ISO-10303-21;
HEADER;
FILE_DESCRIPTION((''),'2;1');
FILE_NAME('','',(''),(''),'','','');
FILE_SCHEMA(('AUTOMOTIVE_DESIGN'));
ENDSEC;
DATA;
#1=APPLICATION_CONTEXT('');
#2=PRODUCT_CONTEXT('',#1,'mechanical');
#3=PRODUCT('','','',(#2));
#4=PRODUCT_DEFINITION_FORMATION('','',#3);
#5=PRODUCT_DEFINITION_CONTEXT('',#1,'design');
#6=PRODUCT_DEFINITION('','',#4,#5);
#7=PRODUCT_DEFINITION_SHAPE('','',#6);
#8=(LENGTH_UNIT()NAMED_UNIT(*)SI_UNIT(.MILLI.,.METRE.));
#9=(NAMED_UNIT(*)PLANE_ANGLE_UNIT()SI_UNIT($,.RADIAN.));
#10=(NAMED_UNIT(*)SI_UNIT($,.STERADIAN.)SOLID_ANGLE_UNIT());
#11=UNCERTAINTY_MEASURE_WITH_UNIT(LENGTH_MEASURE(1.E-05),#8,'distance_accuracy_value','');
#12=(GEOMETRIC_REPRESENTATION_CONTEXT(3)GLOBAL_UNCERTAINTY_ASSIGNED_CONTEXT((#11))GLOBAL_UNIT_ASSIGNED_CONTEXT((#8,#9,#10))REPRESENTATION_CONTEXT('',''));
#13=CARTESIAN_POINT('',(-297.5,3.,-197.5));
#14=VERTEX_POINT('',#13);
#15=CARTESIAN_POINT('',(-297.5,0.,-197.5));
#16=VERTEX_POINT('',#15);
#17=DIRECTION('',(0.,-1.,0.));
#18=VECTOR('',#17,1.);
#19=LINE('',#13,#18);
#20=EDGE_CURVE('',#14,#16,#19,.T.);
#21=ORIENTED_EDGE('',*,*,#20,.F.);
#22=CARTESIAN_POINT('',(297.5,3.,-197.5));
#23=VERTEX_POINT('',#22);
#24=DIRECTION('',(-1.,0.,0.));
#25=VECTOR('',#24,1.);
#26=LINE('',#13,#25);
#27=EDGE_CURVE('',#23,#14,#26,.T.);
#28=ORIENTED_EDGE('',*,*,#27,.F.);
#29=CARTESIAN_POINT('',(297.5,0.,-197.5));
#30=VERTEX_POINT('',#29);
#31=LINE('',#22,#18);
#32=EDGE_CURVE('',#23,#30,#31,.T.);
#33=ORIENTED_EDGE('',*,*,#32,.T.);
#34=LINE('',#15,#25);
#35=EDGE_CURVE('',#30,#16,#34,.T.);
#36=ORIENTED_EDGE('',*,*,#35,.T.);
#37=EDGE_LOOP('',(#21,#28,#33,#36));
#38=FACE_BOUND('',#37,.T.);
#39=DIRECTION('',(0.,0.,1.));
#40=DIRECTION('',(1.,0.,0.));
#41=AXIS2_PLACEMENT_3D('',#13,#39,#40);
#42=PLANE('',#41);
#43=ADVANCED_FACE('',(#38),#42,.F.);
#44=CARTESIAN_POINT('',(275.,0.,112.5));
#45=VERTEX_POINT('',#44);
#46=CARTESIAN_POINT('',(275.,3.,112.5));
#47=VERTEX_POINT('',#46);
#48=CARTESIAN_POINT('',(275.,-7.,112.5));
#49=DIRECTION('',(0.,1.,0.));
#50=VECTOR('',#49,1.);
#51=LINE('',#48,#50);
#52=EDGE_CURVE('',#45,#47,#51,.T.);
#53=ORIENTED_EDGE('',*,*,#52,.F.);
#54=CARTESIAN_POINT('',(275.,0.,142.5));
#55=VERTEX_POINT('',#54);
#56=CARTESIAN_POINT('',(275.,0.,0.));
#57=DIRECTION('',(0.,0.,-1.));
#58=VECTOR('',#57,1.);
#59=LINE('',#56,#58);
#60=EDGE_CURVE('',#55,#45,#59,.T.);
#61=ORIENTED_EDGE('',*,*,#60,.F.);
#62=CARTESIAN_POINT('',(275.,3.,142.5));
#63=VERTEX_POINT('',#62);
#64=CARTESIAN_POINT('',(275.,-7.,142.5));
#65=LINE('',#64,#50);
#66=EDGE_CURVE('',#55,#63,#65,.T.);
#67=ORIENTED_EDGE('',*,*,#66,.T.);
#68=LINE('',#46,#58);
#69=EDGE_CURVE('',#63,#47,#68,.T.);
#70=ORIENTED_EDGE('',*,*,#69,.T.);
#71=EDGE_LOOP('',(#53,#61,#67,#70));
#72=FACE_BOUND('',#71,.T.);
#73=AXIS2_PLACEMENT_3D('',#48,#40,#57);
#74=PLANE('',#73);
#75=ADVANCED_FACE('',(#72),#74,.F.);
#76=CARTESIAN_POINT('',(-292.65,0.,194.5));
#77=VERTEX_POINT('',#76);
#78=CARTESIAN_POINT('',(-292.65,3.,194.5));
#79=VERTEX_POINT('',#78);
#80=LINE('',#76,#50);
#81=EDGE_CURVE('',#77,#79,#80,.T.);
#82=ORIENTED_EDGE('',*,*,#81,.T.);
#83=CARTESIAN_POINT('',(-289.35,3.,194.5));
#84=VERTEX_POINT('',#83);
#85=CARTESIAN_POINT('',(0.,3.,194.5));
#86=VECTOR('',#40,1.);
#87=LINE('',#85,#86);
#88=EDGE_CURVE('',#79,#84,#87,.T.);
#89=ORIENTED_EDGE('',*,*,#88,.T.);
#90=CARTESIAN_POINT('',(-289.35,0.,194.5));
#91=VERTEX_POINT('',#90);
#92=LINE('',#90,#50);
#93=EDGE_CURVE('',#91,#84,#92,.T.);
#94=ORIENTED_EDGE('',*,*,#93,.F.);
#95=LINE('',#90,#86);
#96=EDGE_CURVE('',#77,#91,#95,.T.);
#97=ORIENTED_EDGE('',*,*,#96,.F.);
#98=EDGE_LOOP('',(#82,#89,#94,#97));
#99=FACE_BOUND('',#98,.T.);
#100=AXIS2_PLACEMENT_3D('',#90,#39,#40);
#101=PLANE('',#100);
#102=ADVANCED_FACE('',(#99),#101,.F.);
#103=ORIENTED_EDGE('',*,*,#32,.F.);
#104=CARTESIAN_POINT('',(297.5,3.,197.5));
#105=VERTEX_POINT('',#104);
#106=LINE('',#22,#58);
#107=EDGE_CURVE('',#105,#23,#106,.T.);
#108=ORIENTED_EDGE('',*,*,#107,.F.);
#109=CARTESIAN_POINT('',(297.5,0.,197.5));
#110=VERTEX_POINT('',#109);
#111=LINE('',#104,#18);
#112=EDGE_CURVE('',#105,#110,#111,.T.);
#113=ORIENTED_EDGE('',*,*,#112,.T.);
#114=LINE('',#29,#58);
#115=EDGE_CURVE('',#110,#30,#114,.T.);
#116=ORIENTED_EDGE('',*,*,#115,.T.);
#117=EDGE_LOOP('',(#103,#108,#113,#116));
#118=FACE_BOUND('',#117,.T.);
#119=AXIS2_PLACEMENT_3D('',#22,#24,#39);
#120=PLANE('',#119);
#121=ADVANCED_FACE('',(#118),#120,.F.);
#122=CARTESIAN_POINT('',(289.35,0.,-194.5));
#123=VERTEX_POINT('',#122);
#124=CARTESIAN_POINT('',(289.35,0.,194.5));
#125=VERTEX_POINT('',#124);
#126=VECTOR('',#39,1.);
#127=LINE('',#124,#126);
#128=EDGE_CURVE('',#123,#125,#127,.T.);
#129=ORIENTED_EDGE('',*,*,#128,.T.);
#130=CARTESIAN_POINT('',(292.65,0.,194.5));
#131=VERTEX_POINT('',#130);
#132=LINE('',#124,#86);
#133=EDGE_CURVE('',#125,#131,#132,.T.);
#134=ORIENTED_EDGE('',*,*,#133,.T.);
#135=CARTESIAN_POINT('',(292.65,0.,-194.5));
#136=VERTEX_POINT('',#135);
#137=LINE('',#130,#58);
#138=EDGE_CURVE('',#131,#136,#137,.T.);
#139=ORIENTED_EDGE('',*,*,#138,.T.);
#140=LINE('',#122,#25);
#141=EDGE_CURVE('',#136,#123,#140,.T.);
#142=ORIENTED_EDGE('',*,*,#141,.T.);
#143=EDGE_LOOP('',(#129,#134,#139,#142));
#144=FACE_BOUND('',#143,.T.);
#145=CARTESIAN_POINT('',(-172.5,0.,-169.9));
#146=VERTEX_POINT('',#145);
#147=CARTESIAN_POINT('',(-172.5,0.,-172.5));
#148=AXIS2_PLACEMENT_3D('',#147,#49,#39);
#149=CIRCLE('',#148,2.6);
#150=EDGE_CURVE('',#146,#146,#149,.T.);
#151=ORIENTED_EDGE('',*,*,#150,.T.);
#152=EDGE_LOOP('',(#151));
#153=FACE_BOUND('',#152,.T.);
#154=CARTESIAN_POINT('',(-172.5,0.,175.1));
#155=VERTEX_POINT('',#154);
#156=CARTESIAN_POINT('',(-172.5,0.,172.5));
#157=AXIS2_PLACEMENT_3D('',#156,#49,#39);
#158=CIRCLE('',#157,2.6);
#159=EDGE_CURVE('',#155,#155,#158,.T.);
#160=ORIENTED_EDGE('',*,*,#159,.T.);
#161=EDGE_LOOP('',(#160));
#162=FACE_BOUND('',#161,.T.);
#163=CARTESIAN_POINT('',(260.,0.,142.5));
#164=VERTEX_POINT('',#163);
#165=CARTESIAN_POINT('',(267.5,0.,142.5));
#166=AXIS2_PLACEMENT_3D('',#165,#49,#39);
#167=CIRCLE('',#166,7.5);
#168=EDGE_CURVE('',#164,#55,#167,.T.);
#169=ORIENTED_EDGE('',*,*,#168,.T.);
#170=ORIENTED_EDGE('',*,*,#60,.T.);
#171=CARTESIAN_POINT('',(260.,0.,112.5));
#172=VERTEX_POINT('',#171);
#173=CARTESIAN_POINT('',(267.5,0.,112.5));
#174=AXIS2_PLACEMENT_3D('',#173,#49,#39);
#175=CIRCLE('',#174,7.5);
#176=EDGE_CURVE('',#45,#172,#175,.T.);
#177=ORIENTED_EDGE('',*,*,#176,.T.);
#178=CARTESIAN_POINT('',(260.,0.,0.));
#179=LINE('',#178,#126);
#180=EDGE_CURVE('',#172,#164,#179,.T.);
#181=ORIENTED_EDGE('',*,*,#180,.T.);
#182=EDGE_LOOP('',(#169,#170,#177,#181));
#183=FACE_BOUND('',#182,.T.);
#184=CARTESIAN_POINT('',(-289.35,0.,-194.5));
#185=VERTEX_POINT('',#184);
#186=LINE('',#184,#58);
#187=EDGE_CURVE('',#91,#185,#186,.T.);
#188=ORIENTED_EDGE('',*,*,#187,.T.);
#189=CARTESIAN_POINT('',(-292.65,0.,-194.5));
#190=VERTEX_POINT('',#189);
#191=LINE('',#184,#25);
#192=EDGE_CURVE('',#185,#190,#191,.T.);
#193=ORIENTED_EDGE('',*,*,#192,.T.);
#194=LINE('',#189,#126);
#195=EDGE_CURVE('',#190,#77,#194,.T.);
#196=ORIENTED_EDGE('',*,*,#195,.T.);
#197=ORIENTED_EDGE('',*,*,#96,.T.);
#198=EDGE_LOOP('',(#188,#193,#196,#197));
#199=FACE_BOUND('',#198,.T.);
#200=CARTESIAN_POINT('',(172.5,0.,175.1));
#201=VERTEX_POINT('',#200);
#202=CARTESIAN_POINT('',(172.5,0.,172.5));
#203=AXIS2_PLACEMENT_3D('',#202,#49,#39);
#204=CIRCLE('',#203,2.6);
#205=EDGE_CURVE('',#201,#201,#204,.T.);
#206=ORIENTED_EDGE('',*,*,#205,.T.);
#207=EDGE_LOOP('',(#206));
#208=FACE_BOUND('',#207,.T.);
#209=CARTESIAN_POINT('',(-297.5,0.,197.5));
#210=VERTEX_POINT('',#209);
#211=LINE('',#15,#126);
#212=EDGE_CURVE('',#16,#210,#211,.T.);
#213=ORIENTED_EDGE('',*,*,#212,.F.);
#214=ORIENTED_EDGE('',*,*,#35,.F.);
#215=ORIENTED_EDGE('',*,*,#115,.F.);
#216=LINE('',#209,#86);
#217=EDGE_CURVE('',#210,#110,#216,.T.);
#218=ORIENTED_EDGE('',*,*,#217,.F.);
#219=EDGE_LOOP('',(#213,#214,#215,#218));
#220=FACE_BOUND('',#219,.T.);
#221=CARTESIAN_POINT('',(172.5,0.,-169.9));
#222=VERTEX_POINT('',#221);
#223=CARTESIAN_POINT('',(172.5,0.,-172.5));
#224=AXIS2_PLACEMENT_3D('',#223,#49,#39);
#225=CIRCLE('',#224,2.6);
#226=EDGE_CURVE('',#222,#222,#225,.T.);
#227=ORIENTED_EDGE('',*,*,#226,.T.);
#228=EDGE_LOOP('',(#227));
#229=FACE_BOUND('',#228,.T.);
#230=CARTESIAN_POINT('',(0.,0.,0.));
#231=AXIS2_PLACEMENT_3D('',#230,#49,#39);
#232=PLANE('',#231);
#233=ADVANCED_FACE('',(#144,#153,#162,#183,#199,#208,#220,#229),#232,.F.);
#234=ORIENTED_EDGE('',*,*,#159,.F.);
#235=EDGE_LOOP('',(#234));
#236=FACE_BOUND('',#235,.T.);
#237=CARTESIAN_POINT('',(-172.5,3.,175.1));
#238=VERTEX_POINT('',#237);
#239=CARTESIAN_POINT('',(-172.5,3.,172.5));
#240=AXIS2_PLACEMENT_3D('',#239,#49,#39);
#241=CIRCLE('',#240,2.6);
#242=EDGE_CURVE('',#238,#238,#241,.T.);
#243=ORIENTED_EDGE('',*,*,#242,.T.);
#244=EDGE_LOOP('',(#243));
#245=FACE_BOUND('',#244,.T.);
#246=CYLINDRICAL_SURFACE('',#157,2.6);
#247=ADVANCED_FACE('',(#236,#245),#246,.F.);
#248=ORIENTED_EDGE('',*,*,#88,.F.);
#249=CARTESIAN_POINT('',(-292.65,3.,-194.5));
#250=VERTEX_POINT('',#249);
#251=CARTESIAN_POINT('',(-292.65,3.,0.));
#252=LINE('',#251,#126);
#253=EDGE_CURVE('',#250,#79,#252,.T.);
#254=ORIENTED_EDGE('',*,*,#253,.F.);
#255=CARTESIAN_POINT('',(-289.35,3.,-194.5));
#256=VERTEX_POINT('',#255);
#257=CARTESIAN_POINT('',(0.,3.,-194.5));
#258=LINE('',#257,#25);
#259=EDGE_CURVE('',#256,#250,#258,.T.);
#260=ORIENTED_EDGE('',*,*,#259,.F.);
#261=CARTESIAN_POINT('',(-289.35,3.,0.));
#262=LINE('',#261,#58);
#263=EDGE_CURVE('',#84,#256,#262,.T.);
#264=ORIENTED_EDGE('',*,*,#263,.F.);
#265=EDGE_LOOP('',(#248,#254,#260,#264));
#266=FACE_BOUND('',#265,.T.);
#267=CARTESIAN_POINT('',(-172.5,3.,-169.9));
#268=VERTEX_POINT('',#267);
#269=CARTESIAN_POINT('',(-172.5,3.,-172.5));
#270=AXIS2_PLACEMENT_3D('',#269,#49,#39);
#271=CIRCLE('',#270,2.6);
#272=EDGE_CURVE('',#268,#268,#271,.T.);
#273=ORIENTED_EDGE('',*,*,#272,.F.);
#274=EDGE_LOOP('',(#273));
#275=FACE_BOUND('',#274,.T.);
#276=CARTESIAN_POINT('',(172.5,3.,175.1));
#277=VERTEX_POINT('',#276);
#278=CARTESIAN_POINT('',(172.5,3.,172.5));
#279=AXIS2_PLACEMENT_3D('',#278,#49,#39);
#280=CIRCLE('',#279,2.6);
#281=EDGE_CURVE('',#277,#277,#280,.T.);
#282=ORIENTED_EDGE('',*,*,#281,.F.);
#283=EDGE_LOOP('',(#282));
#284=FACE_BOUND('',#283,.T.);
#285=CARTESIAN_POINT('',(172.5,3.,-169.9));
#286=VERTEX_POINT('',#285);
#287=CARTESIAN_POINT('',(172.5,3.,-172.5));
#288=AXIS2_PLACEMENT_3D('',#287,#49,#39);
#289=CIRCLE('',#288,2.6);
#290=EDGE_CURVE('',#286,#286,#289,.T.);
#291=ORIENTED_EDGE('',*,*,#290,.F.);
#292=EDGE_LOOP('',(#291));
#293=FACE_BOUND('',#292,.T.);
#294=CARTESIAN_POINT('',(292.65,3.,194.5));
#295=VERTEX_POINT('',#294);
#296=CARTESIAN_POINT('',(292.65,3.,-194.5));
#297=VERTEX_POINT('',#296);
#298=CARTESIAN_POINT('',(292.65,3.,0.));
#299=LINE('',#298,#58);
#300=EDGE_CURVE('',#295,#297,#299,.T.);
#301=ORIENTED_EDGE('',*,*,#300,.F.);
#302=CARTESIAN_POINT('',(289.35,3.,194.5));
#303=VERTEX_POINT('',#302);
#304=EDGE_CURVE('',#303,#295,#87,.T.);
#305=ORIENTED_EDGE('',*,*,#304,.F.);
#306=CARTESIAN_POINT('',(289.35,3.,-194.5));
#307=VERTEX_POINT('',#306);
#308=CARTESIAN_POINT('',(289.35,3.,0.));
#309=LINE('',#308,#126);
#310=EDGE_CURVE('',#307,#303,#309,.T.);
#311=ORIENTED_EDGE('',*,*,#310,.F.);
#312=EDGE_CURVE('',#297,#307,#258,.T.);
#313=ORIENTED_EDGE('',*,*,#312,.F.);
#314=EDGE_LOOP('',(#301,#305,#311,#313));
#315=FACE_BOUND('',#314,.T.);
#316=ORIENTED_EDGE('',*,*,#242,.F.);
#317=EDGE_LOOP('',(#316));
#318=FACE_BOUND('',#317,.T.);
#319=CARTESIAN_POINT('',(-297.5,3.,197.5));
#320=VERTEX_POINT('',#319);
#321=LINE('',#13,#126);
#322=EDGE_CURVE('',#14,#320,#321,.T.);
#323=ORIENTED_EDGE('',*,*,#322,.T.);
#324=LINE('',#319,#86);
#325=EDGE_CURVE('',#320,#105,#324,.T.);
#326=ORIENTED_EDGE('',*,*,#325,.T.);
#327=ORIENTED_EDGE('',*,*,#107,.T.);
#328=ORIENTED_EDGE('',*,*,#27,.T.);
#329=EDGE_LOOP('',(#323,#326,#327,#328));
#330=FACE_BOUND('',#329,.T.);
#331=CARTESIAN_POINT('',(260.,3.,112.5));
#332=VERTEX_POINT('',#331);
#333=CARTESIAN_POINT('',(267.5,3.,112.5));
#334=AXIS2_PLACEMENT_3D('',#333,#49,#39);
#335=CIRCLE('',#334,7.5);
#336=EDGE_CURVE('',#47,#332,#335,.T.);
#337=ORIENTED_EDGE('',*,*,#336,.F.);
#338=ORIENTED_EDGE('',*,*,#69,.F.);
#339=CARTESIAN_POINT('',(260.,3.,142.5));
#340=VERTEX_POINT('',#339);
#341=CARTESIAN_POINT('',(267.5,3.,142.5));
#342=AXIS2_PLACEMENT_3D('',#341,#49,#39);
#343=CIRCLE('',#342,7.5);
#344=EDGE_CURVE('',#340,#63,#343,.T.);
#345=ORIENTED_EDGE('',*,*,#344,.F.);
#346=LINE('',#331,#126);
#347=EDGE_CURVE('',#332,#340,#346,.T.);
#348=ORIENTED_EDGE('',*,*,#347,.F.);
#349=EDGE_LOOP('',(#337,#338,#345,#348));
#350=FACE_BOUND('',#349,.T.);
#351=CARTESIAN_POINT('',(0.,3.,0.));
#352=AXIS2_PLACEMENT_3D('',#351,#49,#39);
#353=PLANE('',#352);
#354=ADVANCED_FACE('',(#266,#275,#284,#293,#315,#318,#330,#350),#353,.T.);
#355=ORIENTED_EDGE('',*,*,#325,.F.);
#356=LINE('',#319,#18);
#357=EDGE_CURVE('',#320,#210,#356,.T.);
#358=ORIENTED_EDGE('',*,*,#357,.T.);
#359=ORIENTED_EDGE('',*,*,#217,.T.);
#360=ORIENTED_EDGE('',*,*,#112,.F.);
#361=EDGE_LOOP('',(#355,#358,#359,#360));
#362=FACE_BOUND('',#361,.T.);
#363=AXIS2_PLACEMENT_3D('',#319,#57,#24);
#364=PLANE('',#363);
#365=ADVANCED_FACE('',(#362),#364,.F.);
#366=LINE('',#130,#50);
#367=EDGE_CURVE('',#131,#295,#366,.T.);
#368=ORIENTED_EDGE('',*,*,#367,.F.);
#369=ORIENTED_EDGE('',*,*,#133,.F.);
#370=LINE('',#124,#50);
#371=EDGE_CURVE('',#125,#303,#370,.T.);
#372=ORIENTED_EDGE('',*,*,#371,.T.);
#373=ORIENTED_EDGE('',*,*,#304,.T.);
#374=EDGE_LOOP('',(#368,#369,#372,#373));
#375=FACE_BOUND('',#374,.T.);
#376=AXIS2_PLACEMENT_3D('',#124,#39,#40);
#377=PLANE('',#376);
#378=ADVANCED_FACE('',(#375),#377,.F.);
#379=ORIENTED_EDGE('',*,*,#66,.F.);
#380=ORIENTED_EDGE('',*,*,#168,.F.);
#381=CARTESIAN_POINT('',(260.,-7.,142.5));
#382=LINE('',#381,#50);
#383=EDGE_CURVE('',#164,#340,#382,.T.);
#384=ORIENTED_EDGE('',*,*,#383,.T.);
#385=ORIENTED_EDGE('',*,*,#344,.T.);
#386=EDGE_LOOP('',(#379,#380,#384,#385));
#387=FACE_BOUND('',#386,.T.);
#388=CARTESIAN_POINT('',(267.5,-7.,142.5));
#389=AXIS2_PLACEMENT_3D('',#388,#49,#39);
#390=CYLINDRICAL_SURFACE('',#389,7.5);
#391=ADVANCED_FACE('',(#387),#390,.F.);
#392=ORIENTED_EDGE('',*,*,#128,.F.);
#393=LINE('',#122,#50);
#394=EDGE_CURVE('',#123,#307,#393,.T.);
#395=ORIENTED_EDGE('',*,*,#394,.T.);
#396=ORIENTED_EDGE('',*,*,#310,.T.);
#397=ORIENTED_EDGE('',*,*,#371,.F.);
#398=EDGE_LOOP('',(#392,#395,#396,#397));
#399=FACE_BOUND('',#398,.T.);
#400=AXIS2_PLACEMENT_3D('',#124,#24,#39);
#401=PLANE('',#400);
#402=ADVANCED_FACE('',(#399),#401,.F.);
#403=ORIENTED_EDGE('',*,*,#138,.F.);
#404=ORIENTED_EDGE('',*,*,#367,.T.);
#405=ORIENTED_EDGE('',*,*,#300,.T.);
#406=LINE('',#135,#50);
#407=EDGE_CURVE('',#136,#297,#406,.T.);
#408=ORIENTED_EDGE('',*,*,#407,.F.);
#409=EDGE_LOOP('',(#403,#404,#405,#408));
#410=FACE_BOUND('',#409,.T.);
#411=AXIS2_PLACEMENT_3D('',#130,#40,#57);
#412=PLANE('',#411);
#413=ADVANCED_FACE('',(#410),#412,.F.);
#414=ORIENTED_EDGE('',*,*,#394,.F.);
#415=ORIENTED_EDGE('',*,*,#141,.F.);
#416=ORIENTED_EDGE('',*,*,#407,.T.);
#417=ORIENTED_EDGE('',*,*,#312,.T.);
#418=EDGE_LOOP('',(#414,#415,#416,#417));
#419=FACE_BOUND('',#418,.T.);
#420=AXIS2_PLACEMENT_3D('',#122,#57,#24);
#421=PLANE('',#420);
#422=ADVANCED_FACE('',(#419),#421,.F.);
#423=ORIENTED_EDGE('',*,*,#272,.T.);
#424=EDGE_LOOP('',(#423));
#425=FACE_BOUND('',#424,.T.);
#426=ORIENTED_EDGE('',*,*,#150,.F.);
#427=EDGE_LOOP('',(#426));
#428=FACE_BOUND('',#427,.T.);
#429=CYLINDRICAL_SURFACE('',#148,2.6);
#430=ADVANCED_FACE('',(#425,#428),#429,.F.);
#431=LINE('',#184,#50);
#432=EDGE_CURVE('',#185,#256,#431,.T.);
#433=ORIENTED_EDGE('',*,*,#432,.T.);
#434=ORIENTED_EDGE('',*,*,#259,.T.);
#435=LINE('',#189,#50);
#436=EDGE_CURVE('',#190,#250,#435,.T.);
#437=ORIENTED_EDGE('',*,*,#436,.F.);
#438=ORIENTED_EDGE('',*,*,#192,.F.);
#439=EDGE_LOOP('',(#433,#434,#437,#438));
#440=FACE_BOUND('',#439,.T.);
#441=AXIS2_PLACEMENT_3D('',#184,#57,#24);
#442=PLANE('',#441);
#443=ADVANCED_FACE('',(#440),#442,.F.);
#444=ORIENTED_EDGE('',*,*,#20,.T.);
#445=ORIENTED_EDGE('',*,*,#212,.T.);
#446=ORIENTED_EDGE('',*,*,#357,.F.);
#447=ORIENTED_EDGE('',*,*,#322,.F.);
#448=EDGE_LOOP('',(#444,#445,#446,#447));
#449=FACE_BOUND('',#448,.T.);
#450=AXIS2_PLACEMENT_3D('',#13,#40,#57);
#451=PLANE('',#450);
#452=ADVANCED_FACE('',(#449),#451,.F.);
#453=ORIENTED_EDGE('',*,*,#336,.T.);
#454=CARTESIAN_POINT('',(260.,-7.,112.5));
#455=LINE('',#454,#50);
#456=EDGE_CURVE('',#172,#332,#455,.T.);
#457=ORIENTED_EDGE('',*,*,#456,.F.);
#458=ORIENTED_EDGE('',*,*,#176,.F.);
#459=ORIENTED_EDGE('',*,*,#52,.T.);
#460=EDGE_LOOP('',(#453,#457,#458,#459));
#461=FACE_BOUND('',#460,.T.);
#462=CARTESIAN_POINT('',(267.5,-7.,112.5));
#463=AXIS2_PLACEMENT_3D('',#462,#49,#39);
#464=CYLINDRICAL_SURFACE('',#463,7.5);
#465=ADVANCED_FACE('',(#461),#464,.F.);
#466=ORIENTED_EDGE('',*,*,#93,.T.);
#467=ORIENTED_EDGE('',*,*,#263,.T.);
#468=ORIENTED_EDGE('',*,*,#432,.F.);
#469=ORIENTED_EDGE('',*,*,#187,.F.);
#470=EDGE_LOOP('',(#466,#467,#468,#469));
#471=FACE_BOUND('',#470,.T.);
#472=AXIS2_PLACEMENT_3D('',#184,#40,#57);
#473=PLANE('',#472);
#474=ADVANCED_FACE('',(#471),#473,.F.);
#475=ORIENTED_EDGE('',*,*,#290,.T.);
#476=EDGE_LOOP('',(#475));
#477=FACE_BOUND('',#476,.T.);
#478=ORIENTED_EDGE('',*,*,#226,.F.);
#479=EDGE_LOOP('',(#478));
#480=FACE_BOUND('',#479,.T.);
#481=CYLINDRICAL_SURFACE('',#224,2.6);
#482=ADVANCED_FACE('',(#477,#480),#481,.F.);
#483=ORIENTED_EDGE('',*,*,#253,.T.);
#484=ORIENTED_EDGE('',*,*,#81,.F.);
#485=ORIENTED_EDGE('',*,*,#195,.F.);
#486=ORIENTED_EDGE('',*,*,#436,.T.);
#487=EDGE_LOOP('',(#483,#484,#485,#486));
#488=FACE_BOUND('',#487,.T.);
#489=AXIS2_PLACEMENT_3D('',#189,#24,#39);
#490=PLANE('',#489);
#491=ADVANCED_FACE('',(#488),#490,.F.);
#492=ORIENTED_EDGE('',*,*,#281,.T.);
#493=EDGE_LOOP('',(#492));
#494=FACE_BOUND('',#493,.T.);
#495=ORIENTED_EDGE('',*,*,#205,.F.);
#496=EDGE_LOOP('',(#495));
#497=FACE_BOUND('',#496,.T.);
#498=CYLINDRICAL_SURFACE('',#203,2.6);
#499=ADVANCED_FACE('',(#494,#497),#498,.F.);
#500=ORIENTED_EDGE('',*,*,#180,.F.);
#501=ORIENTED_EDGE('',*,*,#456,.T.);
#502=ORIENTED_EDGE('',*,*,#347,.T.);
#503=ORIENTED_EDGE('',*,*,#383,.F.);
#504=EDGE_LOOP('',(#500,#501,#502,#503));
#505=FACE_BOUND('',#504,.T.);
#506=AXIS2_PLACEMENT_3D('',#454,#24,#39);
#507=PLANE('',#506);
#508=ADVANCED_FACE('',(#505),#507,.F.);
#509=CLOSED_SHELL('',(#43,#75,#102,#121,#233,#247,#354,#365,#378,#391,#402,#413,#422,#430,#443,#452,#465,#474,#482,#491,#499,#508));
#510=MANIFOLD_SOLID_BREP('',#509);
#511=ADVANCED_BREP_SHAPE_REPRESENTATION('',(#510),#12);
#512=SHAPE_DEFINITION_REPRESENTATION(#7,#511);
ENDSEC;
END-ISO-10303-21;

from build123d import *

# Parameters (mm, degrees)
SKETCH1_W               = 595
SKETCH1_H               = 395
BOSS_EXTRUDE1_DEPTH     = 3
CUT_EXTRUDE1_DEPTH      = 10
CUT_EXTRUDE2_DEPTH      = 358.10152618
CUT_EXTRUDE2_DEPTH_BACK = 358.10152618
SKETCH5_W               = 3.3
SKETCH5_H               = 389
CUT_EXTRUDE3_DEPTH      = 358.10152618
CUT_EXTRUDE3_DEPTH_BACK = 358.10152618
SKETCH6_R               = 2.6


with BuildPart() as part:
    # Sketch1 → Boss-Extrude1 (new body)
    with BuildSketch(Plane(origin=(0, 0, 0), x_dir=(1, 0, 0), z_dir=(0, 1, 0))):
        Rectangle(SKETCH1_W, SKETCH1_H)
    extrude(amount=BOSS_EXTRUDE1_DEPTH)

    # Sketch2 → Cut-Extrude1 (cut)
    with BuildSketch(Plane(origin=(0, 3, 0), x_dir=(1, 0, 0), z_dir=(0, 1, 0))):
        with BuildLine():
            Line((275, -112.5), (275, -142.5))
            ThreePointArc((275, -142.5), (267.5, -150), (260, -142.5))
            Line((260, -142.5), (260, -112.5))
            ThreePointArc((260, -112.5), (267.5, -105), (275, -112.5))
        make_face()
    extrude(amount=-CUT_EXTRUDE1_DEPTH, mode=Mode.SUBTRACT)

    # Sketch5 → Cut-Extrude2 (cut, two sides: drawn at the far end of the back side and taken through both)
    with BuildSketch(Plane(origin=(0, 3, 0), x_dir=(1, 0, 0), z_dir=(0, 1, 0)).offset(-CUT_EXTRUDE2_DEPTH_BACK)):
        with Locations((-291, 0)):
            Rectangle(SKETCH5_W, SKETCH5_H)
        with Locations((291, 0)):
            Rectangle(SKETCH5_W, SKETCH5_H)
    extrude(amount=CUT_EXTRUDE2_DEPTH + CUT_EXTRUDE2_DEPTH_BACK, mode=Mode.SUBTRACT)

    # Sketch6 → Cut-Extrude3 (cut, two sides: drawn at the far end of the back side and taken through both)
    with BuildSketch(Plane(origin=(0, 3, 0), x_dir=(1, 0, 0), z_dir=(0, 1, 0)).offset(-CUT_EXTRUDE3_DEPTH_BACK)):
        with Locations(Location((172.5, 172.5, 0), (0, 0, 270))):
            Circle(SKETCH6_R)
        with Locations(Location((-172.5, -172.5, 0), (0, 0, 270))):
            Circle(SKETCH6_R)
        with Locations(Location((172.5, -172.5, 0), (0, 0, 270))):
            Circle(SKETCH6_R)
        with Locations(Location((-172.5, 172.5, 0), (0, 0, 270))):
            Circle(SKETCH6_R)
    extrude(amount=CUT_EXTRUDE3_DEPTH + CUT_EXTRUDE3_DEPTH_BACK, mode=Mode.SUBTRACT)


solid = part.part
